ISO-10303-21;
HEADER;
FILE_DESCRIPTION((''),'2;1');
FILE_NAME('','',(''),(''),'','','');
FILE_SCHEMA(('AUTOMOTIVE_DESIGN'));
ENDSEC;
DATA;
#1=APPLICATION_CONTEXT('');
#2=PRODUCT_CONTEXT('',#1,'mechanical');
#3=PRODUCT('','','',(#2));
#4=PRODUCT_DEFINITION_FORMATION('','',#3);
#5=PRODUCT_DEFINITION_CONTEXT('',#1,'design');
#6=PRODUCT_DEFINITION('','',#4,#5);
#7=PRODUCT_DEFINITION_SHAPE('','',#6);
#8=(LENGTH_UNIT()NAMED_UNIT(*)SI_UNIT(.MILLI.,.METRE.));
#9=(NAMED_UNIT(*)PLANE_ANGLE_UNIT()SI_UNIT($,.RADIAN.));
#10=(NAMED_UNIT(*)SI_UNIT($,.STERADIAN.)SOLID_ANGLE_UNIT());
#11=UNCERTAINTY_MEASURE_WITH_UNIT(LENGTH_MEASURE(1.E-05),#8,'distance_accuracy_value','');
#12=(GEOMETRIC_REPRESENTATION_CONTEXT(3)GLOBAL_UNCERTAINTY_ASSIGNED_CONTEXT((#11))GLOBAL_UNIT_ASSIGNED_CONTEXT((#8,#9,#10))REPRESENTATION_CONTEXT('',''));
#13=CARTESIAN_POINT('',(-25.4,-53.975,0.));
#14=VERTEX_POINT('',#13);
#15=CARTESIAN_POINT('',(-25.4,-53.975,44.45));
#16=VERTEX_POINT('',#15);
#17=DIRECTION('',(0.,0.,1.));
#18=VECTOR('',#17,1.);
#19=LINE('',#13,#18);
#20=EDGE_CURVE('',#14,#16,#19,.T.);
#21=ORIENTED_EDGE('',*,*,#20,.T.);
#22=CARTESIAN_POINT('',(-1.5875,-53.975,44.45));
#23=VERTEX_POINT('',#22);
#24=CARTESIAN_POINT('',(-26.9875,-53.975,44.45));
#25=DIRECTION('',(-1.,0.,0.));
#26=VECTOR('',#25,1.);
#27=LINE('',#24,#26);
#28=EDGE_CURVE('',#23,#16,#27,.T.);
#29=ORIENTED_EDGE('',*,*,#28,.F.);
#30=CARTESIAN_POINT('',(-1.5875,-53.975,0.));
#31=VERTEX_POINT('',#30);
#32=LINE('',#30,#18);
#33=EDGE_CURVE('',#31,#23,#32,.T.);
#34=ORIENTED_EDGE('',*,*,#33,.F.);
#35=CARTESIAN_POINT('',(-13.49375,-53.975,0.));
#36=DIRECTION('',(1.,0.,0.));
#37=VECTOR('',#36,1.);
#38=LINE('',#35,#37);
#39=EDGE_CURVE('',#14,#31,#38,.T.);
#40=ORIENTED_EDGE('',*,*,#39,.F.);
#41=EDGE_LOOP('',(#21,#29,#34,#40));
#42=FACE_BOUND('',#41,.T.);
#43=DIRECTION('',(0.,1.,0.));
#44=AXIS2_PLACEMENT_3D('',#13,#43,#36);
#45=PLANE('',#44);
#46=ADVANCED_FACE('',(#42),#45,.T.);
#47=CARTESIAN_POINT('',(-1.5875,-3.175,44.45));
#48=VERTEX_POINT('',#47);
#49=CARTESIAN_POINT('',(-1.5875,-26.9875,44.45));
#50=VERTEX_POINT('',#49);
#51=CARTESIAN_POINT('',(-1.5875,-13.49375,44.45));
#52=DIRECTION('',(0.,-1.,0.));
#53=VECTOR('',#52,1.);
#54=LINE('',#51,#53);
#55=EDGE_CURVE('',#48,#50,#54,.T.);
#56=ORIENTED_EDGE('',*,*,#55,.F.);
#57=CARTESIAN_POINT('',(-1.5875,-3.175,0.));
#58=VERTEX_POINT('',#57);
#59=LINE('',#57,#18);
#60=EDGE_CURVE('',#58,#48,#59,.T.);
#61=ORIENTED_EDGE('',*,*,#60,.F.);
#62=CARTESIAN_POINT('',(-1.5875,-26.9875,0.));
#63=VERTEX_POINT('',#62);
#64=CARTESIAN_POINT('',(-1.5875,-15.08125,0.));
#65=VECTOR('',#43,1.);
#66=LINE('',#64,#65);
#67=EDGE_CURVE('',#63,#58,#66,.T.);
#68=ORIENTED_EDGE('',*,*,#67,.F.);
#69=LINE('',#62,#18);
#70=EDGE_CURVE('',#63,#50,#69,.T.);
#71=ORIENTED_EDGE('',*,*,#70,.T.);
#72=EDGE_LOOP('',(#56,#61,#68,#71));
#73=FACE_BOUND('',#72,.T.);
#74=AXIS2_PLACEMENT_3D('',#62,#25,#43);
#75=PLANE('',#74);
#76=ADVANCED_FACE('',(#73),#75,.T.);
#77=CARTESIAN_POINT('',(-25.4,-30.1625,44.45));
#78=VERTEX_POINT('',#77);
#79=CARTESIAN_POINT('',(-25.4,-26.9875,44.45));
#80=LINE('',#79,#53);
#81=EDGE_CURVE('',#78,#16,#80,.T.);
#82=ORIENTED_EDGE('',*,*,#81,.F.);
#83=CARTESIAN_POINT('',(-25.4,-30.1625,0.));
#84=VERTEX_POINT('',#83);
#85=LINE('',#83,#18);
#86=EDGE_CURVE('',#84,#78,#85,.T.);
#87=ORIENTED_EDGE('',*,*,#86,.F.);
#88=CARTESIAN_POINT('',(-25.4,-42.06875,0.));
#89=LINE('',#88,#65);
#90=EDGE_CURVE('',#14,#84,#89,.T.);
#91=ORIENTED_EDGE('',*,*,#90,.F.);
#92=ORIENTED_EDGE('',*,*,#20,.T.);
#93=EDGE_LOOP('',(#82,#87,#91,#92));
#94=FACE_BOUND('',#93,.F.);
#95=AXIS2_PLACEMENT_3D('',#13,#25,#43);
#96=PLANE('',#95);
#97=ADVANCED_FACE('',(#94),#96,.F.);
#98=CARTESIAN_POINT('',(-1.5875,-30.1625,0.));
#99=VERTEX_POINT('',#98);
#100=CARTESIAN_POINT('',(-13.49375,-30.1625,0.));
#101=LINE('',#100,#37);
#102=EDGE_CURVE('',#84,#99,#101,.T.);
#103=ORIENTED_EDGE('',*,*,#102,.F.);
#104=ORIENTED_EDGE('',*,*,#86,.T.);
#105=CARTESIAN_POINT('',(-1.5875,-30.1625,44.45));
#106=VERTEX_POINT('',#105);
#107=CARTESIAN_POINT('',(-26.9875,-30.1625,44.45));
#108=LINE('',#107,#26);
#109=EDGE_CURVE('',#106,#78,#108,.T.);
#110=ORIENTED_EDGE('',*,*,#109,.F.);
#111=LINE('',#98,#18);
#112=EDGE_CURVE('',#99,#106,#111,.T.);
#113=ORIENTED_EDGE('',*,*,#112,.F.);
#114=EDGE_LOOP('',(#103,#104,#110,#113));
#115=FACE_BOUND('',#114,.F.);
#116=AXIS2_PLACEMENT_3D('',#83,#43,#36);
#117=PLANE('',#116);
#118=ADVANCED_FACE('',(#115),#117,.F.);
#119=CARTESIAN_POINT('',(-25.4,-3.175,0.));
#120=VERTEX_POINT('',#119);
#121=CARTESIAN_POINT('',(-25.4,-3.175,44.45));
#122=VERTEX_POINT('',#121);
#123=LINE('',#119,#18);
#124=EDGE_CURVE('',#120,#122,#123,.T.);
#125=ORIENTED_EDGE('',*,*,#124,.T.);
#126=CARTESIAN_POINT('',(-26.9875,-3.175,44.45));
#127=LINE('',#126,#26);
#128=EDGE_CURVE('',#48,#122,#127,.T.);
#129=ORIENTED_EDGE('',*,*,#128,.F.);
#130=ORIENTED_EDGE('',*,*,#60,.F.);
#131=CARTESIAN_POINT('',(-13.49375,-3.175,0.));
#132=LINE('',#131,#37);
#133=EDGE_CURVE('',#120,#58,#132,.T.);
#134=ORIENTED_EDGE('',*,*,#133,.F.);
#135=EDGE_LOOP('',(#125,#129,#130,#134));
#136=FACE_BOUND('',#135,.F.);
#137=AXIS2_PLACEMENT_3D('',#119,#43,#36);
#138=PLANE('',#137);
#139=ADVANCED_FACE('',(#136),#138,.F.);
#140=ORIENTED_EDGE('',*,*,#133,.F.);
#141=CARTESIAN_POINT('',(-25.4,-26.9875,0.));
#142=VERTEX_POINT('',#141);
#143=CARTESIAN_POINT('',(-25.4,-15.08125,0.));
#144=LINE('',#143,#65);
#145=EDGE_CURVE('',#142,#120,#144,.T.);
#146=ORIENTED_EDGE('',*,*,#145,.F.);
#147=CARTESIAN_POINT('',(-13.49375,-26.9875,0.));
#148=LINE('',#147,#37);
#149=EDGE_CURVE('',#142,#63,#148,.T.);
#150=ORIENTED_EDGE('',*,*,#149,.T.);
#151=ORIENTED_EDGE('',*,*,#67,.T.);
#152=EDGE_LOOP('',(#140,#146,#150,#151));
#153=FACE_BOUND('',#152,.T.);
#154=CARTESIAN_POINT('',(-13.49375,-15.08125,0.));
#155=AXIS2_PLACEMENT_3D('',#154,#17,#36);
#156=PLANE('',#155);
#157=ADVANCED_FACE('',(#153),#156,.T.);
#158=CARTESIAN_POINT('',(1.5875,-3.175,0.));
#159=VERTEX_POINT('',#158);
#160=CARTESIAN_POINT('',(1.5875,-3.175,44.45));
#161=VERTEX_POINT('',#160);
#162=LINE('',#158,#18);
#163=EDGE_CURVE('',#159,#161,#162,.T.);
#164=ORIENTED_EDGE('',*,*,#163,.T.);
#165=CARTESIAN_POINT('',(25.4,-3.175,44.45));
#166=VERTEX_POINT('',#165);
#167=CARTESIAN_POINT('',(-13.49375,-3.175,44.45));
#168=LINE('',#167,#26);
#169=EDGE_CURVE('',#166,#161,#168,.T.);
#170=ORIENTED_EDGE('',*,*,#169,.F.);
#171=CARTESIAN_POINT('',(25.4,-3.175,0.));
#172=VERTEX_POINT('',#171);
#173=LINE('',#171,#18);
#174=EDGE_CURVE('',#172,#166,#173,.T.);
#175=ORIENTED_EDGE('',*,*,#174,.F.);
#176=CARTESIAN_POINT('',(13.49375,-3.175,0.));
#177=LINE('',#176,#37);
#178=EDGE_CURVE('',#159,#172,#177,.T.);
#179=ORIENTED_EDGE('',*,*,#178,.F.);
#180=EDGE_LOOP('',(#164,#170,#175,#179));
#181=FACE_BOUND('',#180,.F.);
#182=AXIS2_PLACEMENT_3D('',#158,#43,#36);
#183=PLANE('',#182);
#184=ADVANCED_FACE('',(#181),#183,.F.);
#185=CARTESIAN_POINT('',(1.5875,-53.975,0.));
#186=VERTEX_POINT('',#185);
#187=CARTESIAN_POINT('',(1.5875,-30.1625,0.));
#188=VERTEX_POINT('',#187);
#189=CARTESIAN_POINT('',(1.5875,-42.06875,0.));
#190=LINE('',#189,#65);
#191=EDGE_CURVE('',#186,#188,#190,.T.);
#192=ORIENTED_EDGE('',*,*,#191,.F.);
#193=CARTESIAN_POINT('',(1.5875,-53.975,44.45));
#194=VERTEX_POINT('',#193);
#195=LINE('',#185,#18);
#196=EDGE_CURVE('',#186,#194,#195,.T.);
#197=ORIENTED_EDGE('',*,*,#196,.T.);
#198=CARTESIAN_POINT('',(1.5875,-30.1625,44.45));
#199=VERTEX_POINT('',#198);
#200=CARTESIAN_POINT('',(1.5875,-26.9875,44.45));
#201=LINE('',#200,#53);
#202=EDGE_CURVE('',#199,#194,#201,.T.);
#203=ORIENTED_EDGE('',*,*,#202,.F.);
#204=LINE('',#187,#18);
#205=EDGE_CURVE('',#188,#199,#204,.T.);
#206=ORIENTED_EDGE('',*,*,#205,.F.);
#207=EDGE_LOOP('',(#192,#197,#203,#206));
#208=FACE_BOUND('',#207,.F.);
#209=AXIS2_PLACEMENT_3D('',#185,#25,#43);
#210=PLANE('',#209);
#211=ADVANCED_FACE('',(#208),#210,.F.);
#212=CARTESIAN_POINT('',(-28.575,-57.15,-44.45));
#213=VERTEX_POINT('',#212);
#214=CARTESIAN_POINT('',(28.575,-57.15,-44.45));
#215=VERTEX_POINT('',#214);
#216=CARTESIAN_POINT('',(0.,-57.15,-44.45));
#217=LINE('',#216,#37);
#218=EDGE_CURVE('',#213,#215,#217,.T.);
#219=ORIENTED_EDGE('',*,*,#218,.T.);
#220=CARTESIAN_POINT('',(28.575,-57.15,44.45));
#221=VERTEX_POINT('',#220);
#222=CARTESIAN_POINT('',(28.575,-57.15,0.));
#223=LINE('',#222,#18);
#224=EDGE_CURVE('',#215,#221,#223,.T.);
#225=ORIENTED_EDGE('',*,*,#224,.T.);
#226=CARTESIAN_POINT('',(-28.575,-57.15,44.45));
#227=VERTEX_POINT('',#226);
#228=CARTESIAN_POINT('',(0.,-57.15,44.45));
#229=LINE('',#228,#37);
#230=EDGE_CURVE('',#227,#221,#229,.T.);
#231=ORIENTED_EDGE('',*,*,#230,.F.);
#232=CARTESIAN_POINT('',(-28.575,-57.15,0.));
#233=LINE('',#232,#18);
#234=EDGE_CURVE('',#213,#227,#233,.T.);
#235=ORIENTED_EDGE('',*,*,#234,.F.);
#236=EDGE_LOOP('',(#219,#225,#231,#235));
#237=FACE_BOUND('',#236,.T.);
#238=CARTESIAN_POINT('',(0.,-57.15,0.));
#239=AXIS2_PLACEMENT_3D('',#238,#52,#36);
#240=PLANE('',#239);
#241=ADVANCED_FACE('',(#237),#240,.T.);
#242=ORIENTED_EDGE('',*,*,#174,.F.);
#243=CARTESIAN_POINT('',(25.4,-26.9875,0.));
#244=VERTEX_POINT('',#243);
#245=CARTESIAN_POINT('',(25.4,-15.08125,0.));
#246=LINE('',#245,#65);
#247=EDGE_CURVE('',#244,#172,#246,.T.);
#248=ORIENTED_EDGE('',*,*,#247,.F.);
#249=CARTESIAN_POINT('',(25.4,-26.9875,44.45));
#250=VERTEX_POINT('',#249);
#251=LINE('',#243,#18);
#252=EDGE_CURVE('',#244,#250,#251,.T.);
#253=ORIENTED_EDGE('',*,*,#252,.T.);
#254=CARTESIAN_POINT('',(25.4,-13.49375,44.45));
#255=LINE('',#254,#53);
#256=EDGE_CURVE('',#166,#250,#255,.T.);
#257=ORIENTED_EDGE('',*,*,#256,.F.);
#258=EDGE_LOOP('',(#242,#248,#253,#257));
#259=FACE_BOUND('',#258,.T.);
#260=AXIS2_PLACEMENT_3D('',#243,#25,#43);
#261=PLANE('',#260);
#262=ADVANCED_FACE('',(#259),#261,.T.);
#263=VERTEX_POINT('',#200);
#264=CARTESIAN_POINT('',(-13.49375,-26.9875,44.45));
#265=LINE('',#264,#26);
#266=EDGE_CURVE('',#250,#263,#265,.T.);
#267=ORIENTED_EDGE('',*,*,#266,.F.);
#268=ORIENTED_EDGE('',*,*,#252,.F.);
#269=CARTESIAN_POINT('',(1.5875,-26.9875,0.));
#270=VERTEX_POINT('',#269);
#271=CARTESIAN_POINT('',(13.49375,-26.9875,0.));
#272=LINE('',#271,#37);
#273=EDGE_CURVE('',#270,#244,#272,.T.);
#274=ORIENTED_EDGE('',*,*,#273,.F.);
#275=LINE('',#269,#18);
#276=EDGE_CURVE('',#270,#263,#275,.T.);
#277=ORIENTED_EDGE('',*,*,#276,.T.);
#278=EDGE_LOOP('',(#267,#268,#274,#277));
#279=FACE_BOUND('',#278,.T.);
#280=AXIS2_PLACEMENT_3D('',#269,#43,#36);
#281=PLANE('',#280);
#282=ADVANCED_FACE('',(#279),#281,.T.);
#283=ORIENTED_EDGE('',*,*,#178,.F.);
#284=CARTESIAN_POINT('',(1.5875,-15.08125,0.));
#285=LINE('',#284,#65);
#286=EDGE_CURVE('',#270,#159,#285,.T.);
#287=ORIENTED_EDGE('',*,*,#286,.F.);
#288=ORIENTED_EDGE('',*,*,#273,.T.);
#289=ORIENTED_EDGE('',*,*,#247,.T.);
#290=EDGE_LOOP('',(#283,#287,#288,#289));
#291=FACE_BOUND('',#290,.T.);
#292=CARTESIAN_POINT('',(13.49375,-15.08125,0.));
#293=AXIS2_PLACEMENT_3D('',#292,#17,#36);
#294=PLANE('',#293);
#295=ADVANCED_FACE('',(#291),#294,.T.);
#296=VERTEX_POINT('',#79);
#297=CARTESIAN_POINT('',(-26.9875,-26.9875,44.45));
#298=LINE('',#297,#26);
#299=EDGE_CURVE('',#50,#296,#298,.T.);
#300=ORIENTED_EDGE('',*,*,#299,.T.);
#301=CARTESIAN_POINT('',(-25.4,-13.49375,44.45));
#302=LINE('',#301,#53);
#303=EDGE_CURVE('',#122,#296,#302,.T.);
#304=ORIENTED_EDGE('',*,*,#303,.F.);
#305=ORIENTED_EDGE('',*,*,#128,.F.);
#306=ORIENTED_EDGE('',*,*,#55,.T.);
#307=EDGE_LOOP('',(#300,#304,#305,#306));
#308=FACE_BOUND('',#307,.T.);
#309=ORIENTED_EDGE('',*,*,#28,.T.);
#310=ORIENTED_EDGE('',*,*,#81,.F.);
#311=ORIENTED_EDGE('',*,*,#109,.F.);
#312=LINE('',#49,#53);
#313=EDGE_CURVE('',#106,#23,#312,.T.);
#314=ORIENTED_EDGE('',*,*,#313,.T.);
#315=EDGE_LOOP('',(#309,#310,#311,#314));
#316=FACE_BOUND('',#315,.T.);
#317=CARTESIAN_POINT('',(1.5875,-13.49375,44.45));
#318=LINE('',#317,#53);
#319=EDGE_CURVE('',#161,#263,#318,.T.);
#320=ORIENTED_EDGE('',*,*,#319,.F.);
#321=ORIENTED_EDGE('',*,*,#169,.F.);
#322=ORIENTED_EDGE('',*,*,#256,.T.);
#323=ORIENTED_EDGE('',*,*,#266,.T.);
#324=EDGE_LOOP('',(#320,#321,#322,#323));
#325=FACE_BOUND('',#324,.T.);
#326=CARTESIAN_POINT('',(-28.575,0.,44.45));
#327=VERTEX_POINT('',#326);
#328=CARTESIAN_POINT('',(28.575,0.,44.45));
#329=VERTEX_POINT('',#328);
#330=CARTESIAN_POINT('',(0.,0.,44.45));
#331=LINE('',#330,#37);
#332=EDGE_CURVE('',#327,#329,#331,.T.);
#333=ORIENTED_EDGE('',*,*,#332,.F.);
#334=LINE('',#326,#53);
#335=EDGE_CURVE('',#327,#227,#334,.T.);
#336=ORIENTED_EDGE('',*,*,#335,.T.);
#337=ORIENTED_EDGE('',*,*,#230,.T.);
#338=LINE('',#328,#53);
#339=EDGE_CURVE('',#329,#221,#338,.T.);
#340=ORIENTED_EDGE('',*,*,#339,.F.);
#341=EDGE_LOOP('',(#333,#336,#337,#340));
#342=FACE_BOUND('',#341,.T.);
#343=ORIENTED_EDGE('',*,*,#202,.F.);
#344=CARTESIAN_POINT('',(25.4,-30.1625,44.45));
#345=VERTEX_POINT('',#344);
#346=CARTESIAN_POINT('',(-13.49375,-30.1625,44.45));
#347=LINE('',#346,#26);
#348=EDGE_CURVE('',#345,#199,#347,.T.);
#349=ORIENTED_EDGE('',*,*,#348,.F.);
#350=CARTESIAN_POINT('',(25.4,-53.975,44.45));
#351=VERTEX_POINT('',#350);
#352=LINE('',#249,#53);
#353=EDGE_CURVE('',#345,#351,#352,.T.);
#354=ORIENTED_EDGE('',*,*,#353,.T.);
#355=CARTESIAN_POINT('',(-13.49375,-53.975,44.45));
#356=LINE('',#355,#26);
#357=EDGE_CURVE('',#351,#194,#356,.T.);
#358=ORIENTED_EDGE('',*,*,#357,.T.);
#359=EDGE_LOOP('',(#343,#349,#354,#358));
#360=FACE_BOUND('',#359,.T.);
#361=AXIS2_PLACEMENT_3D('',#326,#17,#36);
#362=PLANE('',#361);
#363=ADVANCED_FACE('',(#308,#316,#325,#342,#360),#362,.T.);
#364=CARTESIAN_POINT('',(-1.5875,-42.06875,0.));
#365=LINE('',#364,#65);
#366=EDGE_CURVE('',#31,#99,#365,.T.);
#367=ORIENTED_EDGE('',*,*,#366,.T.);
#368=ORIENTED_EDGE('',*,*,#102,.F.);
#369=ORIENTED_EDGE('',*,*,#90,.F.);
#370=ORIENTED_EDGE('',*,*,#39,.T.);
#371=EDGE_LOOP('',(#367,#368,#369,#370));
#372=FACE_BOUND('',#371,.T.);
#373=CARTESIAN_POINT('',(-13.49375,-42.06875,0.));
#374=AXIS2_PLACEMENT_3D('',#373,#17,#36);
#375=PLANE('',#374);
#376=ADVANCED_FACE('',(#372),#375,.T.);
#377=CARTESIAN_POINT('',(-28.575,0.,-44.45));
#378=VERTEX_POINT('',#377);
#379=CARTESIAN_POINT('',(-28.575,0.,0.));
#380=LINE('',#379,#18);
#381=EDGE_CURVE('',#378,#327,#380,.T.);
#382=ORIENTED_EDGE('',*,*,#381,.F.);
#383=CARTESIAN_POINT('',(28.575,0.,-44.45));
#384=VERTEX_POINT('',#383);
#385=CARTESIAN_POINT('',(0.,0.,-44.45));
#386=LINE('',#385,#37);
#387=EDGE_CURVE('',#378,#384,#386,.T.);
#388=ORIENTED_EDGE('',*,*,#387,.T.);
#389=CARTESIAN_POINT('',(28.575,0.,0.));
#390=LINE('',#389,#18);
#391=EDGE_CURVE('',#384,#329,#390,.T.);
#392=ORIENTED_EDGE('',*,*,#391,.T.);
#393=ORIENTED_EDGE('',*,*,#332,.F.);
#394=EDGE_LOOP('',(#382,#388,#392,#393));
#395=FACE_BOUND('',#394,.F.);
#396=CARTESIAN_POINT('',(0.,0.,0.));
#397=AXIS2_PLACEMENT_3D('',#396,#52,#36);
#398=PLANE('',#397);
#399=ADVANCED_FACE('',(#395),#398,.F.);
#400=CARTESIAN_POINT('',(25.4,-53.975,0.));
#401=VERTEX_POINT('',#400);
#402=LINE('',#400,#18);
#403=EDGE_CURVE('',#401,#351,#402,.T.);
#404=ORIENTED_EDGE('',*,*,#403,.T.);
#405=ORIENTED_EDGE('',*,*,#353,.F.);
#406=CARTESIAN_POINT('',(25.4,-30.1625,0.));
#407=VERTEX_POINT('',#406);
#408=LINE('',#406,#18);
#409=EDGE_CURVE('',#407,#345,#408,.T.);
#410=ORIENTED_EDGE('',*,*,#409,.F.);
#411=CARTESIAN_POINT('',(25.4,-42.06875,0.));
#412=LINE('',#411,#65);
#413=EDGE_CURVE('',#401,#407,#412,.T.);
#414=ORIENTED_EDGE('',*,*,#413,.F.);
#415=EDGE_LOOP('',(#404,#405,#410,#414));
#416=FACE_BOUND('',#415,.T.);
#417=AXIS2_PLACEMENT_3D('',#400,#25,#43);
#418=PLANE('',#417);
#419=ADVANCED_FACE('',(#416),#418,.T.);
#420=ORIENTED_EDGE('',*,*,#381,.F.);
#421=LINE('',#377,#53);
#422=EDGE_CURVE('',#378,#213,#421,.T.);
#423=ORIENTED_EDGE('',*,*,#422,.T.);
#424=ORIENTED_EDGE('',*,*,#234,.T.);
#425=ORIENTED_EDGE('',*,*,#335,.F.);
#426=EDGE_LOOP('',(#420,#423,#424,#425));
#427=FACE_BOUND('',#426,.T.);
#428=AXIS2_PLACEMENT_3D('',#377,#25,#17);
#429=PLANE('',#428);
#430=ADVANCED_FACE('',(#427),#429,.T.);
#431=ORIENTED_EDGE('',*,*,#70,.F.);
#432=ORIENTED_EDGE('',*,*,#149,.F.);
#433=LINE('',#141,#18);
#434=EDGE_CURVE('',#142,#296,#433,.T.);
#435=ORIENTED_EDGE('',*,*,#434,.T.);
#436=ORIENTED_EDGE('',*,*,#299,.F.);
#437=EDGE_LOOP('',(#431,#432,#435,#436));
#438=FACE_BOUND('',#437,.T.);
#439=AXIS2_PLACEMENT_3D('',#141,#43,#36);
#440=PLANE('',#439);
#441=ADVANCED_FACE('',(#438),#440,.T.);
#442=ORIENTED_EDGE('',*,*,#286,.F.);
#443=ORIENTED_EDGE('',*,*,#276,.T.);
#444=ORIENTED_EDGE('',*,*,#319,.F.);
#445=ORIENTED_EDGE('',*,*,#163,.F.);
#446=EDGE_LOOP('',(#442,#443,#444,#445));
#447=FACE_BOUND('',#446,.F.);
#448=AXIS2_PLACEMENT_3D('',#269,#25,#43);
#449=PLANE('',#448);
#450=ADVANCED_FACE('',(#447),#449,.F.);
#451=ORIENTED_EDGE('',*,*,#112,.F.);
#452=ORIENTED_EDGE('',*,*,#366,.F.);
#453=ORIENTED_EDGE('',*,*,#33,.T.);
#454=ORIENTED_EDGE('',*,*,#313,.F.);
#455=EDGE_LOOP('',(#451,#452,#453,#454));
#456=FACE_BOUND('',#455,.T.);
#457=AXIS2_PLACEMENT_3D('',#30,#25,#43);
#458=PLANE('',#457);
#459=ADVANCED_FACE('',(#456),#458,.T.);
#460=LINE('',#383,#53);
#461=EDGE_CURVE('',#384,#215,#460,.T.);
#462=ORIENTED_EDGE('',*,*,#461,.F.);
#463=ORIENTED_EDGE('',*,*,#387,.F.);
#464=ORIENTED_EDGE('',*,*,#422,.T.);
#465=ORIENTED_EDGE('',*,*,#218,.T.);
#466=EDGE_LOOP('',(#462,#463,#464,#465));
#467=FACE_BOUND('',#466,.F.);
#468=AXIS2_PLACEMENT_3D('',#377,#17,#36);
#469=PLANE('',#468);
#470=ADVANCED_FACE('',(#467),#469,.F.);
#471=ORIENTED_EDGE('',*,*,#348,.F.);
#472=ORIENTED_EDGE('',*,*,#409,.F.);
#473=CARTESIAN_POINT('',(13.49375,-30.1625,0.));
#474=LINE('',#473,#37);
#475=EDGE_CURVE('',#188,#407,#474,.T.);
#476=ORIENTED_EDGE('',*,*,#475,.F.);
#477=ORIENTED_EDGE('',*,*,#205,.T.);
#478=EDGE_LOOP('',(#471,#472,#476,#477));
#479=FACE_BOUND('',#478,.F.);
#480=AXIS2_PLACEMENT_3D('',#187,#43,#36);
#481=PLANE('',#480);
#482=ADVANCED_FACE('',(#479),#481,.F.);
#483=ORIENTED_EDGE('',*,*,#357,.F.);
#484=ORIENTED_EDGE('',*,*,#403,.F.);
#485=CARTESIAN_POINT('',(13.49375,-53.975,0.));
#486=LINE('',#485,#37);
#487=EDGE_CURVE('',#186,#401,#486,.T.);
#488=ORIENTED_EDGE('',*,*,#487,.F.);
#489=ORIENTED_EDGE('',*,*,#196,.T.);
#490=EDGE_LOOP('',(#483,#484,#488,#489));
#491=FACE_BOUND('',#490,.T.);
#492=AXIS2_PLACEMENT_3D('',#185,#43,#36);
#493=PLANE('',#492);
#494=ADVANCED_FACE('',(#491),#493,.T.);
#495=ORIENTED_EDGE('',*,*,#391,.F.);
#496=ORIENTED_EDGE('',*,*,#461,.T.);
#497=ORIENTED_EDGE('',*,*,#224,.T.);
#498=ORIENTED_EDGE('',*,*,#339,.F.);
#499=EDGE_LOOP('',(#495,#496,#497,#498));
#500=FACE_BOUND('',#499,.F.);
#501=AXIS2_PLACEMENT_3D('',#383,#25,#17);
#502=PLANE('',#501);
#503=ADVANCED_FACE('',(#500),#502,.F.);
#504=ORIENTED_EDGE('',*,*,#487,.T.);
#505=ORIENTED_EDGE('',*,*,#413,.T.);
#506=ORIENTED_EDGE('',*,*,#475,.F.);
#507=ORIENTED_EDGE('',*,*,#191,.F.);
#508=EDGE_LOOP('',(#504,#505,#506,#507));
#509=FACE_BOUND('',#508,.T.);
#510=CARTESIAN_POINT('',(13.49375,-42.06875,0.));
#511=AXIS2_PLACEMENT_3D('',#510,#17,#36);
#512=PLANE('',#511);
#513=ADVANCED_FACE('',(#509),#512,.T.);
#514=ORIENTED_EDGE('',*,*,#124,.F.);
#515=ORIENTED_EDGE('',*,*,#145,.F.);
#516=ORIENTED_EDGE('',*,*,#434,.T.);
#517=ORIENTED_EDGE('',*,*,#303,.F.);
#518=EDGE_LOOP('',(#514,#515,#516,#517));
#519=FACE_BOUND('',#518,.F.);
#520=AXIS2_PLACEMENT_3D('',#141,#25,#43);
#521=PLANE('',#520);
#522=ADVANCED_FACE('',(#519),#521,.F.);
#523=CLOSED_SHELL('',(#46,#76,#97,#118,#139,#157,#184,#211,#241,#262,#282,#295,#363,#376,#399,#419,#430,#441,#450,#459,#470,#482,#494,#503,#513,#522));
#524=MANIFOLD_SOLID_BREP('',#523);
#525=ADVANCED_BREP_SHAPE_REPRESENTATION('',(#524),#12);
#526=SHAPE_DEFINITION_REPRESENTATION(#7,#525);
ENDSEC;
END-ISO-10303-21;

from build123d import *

# Parameters (mm, degrees)
F0_W     = 57.15
F0_H     = 88.9
F1_DEPTH = 57.15
F2_W     = 23.8125
F2_H     = 23.8125
F6_DEPTH = 44.451
F3_W     = 23.8125
F3_H     = 23.8125
F7_DEPTH = 44.451
F4_W     = 23.8125
F4_H     = 23.8125
F8_DEPTH = 44.451
F5_W     = 23.8125
F5_H     = 23.8125
F9_DEPTH = 44.451


with BuildPart() as f1:
    # F0 (on Front) → F1 (new body)
    with BuildSketch(Plane.XZ):
        Rectangle(F0_W, F0_H)
    extrude(amount=F1_DEPTH)

    # F2 (on Top) → F6 (cut, through all)
    with BuildSketch(Plane.XY):
        with Locations((-13.49375, -15.08125)):
            Rectangle(F2_W, F2_H)
    extrude(amount=F6_DEPTH, mode=Mode.SUBTRACT)

    # F3 (on Top) → F7 (cut, through all)
    with BuildSketch(Plane.XY):
        with Locations((-13.49375, -42.06875)):
            Rectangle(F3_W, F3_H)
    extrude(amount=F7_DEPTH, mode=Mode.SUBTRACT)

    # F4 (on Top) → F8 (cut, through all)
    with BuildSketch(Plane.XY):
        with Locations((13.49375, -15.08125)):
            Rectangle(F4_W, F4_H)
    extrude(amount=F8_DEPTH, mode=Mode.SUBTRACT)

    # F5 (on Top) → F9 (cut, through all)
    with BuildSketch(Plane.XY):
        with Locations((13.49375, -42.06875)):
            Rectangle(F5_W, F5_H)
    extrude(amount=F9_DEPTH, mode=Mode.SUBTRACT)


solid = f1.part
